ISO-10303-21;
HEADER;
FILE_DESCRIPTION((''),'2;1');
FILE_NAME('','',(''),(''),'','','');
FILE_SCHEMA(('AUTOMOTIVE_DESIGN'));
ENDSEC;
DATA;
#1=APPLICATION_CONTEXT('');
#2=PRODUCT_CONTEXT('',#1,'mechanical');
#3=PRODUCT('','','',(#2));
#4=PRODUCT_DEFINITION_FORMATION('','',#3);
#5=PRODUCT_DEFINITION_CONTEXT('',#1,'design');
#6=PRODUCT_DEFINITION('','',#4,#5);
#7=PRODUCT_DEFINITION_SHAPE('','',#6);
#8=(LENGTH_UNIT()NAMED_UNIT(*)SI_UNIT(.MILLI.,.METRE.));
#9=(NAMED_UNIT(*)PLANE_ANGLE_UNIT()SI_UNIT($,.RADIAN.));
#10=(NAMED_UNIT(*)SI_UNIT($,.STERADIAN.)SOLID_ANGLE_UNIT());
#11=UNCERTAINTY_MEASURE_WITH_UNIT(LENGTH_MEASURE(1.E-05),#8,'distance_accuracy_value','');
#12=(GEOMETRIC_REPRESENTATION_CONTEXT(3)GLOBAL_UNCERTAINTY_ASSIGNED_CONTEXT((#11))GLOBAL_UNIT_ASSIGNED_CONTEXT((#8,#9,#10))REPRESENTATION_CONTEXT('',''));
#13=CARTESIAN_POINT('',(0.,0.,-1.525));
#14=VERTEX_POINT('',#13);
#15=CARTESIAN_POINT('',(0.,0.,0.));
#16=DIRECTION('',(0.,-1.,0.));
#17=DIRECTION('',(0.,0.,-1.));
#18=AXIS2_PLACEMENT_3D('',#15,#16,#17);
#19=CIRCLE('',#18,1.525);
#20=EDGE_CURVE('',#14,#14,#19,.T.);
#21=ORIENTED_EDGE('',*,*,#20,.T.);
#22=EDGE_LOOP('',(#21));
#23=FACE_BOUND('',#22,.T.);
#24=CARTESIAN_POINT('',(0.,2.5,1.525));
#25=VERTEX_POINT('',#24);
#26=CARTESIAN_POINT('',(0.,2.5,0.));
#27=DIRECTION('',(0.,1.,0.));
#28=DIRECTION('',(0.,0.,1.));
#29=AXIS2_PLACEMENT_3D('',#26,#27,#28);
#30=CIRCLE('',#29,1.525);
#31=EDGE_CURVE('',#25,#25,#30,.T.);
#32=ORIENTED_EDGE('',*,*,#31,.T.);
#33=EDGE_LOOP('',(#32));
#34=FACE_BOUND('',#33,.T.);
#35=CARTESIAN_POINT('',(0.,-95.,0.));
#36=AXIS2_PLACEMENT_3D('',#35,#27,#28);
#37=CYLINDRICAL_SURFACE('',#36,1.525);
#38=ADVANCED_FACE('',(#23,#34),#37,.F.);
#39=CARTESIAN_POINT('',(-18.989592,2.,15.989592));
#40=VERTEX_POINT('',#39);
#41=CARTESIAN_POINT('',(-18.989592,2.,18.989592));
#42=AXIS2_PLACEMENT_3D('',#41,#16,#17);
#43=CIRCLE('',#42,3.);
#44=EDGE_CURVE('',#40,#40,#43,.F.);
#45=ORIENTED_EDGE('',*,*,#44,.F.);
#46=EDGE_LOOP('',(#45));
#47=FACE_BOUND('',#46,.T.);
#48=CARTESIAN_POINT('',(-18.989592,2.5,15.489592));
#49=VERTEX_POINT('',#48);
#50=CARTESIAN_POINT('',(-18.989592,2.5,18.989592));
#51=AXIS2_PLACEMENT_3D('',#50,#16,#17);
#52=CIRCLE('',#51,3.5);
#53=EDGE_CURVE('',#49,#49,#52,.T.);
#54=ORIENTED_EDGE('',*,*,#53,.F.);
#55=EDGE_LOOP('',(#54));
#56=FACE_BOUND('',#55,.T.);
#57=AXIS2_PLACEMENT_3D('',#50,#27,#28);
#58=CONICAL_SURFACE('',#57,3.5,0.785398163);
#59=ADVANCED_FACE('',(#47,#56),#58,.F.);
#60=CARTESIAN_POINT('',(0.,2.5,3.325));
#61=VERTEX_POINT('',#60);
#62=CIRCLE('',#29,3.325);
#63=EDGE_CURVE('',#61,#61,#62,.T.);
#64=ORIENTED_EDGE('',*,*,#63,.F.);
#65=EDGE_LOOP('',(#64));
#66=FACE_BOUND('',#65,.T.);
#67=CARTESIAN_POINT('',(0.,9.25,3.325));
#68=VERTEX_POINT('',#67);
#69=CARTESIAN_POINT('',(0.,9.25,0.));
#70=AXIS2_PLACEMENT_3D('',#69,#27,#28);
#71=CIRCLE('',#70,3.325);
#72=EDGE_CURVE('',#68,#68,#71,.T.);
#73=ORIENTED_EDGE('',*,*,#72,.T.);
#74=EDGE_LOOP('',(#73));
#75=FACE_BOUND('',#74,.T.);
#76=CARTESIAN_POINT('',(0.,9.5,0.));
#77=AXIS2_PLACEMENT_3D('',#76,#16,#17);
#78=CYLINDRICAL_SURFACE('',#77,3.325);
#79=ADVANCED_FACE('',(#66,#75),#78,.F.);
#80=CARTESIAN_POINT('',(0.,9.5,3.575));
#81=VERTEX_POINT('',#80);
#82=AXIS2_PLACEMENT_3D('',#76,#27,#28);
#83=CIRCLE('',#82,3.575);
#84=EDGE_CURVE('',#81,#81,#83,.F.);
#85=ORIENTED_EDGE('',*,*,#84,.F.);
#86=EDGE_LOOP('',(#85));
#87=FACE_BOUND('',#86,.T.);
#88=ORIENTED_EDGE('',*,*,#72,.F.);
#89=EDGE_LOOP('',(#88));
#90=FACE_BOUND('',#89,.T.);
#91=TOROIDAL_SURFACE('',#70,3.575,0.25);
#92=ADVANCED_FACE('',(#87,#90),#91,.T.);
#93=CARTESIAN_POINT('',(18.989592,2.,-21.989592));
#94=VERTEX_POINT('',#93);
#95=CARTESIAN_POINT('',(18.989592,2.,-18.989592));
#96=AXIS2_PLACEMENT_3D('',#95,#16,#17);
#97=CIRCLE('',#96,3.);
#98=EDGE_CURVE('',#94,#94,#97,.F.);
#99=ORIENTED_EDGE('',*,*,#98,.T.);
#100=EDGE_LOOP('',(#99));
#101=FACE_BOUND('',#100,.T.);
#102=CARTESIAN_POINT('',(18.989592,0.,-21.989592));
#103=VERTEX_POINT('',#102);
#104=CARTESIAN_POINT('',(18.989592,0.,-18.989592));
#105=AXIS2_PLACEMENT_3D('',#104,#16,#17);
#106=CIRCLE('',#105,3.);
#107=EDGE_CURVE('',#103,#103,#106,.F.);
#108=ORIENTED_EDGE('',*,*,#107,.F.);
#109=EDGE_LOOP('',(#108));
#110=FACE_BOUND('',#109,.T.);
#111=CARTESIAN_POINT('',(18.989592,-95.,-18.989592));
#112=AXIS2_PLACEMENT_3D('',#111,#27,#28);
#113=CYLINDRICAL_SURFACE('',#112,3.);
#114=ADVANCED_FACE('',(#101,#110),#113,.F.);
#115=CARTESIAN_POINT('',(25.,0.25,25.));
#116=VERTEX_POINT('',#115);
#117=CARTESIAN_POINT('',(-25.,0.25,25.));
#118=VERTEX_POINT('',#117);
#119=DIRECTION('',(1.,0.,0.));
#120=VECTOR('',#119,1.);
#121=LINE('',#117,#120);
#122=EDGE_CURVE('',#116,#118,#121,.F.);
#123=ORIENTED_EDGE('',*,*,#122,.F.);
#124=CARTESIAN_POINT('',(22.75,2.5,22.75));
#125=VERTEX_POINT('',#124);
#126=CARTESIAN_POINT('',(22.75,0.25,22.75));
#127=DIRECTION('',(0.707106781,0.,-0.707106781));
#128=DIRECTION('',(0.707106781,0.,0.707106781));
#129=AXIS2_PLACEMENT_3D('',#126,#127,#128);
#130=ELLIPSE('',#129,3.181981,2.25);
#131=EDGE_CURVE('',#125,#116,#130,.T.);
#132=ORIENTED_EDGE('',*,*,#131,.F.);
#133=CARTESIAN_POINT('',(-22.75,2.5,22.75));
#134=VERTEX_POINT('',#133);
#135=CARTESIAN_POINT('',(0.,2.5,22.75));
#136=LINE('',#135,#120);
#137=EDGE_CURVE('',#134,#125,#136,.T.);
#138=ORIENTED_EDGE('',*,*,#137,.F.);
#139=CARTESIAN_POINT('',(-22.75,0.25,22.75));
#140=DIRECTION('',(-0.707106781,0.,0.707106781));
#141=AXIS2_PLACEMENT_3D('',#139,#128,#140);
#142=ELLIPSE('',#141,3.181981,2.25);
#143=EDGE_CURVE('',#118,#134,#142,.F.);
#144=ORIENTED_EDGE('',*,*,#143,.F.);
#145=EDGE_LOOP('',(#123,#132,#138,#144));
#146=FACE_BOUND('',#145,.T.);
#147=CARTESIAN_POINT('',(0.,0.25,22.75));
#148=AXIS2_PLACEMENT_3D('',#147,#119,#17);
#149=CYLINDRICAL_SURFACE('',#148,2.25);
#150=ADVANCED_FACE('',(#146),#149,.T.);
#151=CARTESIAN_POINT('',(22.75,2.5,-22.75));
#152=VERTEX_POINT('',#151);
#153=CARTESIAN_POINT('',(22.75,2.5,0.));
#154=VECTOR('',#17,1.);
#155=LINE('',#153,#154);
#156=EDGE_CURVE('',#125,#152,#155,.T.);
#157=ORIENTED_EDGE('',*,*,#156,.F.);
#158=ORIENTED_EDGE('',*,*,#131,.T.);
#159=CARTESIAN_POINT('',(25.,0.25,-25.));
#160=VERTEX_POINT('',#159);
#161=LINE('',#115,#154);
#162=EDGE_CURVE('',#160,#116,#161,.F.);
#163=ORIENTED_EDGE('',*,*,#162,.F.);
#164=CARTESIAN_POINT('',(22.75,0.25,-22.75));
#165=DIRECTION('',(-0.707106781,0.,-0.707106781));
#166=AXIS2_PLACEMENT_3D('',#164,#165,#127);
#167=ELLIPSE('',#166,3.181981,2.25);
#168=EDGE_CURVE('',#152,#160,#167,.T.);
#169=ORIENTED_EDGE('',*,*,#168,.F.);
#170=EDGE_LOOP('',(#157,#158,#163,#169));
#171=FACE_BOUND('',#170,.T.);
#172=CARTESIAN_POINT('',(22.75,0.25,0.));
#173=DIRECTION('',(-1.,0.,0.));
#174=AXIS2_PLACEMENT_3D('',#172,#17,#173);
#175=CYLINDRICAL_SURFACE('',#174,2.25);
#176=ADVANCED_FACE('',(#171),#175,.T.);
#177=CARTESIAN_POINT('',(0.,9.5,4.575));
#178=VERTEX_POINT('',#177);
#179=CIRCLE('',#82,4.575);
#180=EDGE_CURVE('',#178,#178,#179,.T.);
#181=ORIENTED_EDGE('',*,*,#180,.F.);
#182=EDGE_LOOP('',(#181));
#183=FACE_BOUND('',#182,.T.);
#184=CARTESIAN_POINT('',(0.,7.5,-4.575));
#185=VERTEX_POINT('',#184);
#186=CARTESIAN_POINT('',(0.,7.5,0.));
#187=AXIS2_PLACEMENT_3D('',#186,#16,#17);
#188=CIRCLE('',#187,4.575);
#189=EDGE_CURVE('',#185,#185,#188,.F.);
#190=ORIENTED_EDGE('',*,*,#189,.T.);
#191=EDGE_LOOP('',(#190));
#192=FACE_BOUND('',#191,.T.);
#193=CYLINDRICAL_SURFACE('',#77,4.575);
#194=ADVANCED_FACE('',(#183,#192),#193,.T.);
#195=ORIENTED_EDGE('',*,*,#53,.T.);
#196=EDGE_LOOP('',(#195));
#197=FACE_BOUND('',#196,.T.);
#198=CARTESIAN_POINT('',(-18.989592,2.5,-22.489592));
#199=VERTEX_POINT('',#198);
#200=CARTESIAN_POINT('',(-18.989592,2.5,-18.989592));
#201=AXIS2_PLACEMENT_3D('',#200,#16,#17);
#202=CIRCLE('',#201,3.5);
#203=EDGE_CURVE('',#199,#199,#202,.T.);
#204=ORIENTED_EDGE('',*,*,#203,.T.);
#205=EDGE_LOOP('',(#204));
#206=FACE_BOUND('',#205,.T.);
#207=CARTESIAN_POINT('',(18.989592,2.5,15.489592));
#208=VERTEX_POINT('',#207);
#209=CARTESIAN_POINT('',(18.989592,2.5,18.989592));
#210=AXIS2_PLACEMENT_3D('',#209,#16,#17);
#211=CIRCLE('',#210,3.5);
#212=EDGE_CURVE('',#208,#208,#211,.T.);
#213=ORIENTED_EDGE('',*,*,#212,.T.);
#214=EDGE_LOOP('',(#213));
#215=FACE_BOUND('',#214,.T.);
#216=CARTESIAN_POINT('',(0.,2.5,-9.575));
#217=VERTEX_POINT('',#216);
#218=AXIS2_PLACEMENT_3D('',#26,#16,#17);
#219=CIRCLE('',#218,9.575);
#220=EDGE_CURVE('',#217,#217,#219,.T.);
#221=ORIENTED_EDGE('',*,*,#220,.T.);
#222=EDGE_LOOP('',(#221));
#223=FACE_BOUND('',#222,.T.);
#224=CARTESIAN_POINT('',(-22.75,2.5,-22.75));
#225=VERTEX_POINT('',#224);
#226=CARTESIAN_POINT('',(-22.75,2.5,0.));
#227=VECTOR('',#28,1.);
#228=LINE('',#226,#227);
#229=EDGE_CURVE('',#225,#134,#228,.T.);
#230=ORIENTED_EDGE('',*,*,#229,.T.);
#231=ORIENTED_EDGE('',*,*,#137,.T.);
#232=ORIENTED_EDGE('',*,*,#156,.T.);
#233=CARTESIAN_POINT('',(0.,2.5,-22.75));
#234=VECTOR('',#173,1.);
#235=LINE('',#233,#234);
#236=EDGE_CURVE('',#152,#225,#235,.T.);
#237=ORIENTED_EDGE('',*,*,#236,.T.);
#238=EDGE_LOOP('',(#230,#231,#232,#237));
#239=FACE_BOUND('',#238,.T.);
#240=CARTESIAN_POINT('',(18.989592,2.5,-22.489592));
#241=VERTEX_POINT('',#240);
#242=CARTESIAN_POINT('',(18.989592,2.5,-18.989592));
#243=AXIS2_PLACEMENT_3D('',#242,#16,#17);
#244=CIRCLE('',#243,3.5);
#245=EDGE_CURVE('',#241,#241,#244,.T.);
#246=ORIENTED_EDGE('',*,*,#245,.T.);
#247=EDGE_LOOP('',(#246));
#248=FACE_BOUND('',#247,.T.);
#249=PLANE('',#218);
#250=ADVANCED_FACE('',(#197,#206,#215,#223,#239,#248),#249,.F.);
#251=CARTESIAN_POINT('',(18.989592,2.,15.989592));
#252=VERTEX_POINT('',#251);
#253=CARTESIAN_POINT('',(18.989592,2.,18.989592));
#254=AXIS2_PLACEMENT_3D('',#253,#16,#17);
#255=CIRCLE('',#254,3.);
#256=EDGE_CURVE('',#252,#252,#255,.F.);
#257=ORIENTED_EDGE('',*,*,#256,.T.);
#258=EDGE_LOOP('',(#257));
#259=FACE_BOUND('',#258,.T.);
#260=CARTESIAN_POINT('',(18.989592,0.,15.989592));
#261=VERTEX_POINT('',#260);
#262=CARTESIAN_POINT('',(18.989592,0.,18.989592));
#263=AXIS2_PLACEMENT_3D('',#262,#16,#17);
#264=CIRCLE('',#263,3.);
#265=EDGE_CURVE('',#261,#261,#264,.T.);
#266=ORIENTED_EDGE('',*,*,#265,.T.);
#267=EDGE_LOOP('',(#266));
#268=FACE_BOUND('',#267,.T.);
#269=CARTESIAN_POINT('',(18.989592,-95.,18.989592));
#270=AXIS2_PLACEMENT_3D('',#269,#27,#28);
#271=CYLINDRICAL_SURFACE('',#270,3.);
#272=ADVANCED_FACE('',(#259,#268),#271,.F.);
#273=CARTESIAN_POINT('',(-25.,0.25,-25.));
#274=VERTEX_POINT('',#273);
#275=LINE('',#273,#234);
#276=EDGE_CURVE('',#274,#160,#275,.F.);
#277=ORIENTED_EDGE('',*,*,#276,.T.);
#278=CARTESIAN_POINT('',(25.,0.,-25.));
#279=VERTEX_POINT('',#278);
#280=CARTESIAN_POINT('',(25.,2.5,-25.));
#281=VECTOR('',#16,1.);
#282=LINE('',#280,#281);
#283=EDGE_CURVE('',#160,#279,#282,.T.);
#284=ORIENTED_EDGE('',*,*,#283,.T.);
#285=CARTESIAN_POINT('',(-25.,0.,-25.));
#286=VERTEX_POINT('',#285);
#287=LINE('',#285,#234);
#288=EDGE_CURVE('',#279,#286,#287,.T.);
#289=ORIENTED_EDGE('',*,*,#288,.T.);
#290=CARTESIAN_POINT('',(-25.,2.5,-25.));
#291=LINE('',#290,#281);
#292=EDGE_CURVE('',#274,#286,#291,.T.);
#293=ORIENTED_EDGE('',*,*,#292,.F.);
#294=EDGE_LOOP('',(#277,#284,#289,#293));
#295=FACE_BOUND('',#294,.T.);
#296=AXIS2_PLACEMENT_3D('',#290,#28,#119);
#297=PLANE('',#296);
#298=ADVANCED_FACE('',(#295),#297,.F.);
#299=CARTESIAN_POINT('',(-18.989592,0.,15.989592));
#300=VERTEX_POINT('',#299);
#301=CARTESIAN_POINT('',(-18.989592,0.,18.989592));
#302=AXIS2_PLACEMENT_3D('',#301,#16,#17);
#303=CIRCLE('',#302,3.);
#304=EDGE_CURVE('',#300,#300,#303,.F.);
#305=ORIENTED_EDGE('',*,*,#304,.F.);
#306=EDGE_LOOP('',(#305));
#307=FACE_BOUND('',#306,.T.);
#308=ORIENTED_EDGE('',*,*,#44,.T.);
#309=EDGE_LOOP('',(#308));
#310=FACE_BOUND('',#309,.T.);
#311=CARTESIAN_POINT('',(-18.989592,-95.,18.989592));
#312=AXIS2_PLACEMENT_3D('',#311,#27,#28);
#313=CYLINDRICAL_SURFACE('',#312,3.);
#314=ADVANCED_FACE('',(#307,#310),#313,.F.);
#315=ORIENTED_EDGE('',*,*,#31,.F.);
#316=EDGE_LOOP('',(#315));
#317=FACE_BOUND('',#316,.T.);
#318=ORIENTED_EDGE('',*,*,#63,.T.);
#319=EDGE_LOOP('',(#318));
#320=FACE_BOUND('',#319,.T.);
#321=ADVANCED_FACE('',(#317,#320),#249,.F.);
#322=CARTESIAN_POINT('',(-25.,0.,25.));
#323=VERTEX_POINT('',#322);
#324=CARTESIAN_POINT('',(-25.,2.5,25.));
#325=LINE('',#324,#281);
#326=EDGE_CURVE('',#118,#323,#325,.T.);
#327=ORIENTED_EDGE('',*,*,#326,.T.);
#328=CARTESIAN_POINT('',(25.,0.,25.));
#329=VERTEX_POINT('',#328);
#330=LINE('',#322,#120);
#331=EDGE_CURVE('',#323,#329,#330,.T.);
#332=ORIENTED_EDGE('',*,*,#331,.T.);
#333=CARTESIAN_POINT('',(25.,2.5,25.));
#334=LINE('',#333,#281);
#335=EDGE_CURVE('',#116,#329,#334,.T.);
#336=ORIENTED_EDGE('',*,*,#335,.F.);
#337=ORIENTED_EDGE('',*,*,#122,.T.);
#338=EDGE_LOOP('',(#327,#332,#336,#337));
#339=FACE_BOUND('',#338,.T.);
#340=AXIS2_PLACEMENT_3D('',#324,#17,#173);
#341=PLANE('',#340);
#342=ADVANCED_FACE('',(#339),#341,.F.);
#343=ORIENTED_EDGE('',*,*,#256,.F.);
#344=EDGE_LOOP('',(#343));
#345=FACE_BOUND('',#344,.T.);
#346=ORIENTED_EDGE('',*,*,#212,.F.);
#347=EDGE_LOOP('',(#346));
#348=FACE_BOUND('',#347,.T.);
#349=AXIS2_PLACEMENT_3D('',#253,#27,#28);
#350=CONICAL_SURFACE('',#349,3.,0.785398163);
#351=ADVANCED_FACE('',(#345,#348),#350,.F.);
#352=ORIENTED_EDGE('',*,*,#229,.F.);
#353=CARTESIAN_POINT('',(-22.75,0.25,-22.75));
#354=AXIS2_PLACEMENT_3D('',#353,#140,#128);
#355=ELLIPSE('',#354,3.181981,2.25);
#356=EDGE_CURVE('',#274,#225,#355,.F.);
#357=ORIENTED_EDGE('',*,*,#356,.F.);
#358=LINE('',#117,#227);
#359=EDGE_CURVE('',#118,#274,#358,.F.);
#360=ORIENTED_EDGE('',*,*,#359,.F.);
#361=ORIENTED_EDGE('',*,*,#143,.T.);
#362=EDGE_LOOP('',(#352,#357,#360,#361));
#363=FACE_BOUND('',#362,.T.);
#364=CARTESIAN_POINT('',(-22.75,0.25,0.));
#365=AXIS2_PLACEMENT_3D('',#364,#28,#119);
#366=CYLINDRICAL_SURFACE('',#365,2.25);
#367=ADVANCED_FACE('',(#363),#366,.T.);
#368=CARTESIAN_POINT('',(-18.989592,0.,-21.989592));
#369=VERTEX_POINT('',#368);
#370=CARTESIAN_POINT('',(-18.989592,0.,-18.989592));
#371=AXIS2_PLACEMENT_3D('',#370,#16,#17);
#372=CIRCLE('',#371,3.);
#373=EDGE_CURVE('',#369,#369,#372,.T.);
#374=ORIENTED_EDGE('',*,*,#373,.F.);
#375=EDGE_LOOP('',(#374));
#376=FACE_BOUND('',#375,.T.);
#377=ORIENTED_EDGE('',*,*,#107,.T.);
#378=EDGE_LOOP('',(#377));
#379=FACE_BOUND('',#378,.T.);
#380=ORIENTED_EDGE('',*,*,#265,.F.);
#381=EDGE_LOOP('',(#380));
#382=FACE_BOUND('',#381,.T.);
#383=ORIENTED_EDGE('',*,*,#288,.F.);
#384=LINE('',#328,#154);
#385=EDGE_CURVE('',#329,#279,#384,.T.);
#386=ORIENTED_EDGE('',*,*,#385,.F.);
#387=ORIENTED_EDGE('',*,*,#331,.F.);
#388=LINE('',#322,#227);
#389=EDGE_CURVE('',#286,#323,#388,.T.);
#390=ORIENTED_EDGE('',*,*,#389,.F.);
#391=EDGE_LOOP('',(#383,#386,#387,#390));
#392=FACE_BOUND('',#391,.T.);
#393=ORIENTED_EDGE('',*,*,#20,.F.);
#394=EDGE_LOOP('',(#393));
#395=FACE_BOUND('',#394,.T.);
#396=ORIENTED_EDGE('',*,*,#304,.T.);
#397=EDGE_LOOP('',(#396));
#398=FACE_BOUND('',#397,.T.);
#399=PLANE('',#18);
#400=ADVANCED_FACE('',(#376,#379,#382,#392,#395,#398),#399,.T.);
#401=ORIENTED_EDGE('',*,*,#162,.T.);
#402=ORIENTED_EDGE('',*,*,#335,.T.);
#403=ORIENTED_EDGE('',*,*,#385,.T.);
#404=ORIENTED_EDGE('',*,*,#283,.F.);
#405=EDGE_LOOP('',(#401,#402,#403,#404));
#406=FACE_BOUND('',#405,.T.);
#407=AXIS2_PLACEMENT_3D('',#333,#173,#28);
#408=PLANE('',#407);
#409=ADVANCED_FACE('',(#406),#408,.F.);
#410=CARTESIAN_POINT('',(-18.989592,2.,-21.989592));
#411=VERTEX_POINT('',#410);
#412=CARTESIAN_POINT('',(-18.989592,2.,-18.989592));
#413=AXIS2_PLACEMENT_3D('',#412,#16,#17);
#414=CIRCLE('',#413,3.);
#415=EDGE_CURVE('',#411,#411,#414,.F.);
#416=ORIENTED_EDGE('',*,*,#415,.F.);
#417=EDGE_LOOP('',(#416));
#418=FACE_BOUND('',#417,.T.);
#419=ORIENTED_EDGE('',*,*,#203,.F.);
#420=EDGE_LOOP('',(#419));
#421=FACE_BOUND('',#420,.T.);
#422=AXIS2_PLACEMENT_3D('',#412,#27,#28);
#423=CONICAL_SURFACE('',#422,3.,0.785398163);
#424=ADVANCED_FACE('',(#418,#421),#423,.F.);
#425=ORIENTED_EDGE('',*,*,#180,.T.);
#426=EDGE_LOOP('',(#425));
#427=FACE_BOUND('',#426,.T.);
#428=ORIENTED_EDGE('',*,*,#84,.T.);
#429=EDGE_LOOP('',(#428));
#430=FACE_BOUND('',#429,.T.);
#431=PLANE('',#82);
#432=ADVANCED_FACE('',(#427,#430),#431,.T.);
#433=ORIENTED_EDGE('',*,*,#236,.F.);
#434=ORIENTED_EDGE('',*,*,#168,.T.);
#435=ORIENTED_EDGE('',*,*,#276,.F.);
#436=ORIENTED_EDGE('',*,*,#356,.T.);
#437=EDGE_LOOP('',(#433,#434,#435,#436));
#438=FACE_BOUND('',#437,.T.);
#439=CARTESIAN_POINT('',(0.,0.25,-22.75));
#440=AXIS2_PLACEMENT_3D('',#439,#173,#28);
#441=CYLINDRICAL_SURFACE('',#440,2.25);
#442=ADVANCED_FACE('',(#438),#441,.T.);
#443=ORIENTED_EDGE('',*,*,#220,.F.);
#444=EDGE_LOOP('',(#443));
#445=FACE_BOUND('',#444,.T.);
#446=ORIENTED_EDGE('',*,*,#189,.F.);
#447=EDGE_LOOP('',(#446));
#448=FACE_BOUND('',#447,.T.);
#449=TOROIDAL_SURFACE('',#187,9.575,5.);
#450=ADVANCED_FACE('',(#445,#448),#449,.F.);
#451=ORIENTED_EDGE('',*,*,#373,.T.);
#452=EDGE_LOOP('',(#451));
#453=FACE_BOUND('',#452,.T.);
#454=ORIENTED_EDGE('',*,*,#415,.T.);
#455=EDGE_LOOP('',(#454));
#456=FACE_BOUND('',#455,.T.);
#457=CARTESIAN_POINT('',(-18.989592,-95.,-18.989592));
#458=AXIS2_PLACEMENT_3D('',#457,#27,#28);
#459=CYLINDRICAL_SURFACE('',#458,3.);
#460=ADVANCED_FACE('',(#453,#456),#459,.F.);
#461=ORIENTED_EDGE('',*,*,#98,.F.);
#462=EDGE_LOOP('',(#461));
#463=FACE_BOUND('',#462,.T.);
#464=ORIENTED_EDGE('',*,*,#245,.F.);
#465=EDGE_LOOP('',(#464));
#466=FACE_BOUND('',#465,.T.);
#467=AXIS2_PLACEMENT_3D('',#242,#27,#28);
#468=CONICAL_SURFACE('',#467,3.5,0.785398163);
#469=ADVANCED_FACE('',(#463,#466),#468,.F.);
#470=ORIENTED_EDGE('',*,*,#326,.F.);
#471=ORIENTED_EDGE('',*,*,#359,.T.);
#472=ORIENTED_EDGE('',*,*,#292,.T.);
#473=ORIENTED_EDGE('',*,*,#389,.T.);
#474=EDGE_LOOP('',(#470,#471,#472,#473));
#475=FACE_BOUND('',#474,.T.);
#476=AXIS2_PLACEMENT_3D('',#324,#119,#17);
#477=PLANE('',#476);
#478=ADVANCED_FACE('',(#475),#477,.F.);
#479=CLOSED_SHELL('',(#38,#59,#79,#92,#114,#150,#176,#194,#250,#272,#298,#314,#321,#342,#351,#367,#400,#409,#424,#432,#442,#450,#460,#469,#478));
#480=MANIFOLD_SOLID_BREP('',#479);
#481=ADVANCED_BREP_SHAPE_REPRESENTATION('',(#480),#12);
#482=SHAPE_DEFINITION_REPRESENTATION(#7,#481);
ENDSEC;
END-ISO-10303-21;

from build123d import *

# Parameters (mm, degrees)
SKETCH1_W           = 50
SKETCH1_H           = 50
BOSS_EXTRUDE1_DEPTH = 2.5
SKETCH2_R           = 1.525
CUT_EXTRUDE1_DEPTH  = 97.5
SKETCH6_R           = 3
CUT_EXTRUDE2_DEPTH  = 97.5
SKETCH7_R           = 4.575
SKETCH7_R_2         = 3.325
BOSS_EXTRUDE2_DEPTH = 7
FILLET1_R           = 5
FILLET2_R           = 2.25
CHAMFER1_SIZE       = 0.5
FILLET3_R           = 0.25


with BuildPart() as part:
    # Sketch1 → Boss-Extrude1 (new body)
    with BuildSketch(Plane(origin=(0, 0, 0), x_dir=(1, 0, 0), z_dir=(0, 1, 0))):
        Rectangle(SKETCH1_W, SKETCH1_H)
    extrude(amount=BOSS_EXTRUDE1_DEPTH)

    # Sketch2 → Cut-Extrude1 (cut)
    with BuildSketch(Plane(origin=(0, 2.5, 0), x_dir=(1, 0, 0), z_dir=(0, 1, 0))):
        with Locations(Location((0, 0, 0), (0, 0, 270))):
            Circle(SKETCH2_R)
    extrude(amount=-CUT_EXTRUDE1_DEPTH, mode=Mode.SUBTRACT)

    # Sketch6 → Cut-Extrude2 (cut)
    with BuildSketch(Plane(origin=(0, 2.5, 0), x_dir=(1, 0, 0), z_dir=(0, 1, 0))):
        with Locations(Location((-18.98959236, 18.98959236, 0), (0, 0, 270))):
            Circle(SKETCH6_R)
        with Locations(Location((18.98959236, 18.98959236, 0), (0, 0, 270))):
            Circle(SKETCH6_R)
        with Locations(Location((18.98959236, -18.98959236, 0), (0, 0, 270))):
            Circle(SKETCH6_R)
        with Locations(Location((-18.98959236, -18.98959236, 0), (0, 0, 270))):
            Circle(SKETCH6_R)
    extrude(amount=-CUT_EXTRUDE2_DEPTH, mode=Mode.SUBTRACT)

    # Sketch7 → Boss-Extrude2 (add)
    with BuildSketch(Plane(origin=(0, 2.5, 0), x_dir=(1, 0, 0), z_dir=(0, 1, 0))):
        with Locations(Location((0, 0, 0), (0, 0, 90))):
            Circle(SKETCH7_R)
        with Locations(Location((0, 0, 0), (0, 0, 270))):
            Circle(SKETCH7_R_2, mode=Mode.SUBTRACT)
    extrude(amount=BOSS_EXTRUDE2_DEPTH)

    # Fillet1
    fillet1_edges = [part.edges().sort_by_distance(p)[0] for p in [
        (0, 2.5, 4.575),
    ]]
    fillet(fillet1_edges, radius=FILLET1_R)

    # Fillet2
    fillet2_edges = [part.edges().sort_by_distance(p)[0] for p in [
        (-25, 2.5, 0),
        (0, 2.5, 25),
        (25, 2.5, 0),
        (0, 2.5, -25),
    ]]
    fillet(fillet2_edges, radius=FILLET2_R)

    # Chamfer1
    chamfer1_edges = [part.edges().sort_by_distance(p)[0] for p in [
        (-18.98959236, 2.5, 15.98959236),
        (18.98959236, 2.5, 15.98959236),
        (18.98959236, 2.5, -21.98959236),
        (-18.98959236, 2.5, -21.98959236),
    ]]
    chamfer(chamfer1_edges, length=CHAMFER1_SIZE)

    # Fillet3
    fillet3_edges = [part.edges().sort_by_distance(p)[0] for p in [
        (0, 9.5, -3.325),
    ]]
    fillet(fillet3_edges, radius=FILLET3_R)


solid = part.part
